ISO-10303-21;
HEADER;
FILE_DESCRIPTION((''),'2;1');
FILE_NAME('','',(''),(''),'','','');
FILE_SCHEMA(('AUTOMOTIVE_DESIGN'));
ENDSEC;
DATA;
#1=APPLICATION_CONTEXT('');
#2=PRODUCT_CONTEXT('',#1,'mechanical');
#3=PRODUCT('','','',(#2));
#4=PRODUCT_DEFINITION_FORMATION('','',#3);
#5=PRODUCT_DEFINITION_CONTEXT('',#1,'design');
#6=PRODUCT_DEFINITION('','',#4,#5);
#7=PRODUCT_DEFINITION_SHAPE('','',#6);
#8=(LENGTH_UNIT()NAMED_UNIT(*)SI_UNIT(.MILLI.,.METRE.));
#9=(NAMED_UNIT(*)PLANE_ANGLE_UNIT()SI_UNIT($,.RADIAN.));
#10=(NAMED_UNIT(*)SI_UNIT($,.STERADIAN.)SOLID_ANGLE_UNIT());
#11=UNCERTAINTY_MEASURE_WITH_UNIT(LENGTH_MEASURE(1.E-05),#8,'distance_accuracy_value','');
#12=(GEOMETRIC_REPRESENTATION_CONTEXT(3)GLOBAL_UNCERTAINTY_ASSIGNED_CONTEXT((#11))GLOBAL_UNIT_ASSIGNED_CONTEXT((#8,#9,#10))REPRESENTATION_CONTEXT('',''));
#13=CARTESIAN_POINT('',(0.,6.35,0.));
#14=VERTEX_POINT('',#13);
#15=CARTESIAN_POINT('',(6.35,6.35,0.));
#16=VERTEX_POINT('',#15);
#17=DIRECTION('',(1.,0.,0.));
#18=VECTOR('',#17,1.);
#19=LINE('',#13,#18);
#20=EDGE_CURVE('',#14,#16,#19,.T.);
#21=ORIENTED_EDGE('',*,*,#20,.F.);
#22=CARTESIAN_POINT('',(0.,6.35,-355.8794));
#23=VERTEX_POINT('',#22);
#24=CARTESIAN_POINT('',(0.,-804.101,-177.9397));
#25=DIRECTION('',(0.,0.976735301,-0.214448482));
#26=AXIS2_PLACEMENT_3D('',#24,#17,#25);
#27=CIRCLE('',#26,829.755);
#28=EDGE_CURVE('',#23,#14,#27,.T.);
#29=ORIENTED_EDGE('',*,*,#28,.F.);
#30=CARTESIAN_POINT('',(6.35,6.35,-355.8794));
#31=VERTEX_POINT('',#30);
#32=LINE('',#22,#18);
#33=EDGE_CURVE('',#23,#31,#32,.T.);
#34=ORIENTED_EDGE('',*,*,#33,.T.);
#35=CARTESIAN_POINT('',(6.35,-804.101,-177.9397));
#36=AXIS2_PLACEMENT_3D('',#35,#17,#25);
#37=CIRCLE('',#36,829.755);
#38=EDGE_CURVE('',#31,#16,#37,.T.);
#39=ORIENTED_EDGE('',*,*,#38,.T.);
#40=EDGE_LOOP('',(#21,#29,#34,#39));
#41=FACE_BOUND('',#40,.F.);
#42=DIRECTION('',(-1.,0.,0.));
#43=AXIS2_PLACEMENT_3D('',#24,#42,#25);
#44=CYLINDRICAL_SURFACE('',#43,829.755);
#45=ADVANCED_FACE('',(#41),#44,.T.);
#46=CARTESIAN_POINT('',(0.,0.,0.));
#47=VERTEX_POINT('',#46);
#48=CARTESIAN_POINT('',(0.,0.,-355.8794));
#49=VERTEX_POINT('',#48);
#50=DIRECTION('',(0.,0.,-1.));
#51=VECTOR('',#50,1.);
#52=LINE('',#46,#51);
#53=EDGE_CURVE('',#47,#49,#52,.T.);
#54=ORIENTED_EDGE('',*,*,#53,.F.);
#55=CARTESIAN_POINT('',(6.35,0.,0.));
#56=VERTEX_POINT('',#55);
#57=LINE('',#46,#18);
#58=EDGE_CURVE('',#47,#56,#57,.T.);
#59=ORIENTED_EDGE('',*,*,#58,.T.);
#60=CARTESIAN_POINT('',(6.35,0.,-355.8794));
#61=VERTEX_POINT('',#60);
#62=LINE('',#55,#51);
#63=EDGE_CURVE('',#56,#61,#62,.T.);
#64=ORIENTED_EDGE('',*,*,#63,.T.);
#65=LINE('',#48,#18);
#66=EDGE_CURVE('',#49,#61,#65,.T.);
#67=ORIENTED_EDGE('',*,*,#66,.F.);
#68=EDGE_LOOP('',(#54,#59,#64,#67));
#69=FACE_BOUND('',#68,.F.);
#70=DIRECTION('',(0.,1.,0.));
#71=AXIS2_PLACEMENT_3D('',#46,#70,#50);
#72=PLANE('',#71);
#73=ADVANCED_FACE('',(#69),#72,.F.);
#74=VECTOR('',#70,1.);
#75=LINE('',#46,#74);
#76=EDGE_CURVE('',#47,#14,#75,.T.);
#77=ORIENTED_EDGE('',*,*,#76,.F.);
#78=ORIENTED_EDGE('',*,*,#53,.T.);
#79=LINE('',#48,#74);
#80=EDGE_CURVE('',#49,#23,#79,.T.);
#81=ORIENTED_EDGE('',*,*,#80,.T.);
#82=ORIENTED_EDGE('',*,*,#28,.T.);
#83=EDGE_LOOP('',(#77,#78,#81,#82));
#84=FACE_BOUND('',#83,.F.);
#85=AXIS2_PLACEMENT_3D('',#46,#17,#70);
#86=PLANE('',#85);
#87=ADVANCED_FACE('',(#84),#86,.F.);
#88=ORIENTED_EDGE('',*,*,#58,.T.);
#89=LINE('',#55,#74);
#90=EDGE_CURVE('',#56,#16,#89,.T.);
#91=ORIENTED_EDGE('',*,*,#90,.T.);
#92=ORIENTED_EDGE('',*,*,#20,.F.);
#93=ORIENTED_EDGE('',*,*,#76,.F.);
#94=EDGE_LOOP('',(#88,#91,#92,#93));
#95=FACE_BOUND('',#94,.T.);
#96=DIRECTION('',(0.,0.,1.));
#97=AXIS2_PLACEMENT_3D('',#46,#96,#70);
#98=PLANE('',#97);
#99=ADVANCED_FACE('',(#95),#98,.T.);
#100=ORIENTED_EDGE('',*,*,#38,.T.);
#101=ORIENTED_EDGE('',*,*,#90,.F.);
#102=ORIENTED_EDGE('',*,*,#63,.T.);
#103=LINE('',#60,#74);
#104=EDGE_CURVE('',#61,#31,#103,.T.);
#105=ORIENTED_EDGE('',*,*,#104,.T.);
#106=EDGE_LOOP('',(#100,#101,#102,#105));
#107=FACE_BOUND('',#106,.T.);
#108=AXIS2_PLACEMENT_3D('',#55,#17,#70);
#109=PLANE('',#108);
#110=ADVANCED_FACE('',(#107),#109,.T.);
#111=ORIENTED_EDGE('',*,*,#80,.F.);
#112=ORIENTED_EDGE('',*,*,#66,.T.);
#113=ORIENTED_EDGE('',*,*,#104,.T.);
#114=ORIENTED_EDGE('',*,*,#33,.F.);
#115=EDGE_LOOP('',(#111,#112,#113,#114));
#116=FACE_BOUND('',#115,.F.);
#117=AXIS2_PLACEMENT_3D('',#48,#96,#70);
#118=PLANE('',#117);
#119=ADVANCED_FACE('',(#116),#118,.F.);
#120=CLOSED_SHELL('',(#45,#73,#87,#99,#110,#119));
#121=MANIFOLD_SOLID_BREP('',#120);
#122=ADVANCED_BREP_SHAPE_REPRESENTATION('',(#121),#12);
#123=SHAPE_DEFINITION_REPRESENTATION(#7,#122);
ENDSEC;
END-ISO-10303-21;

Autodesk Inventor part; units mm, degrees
ref_plane "YZ Plane" through (0, 0, 0) normal (1, 0, 0) x (0, 1, 0)
ref_plane "XZ Plane" through (0, 0, 0) normal (0, 1, 0) x (-1, 0, 0)
ref_plane "XY Plane" through (0, 0, 0) normal (0, 0, 1) x (1, 0, 0)
sketch "Sketch1" plane through (0, 0, 0) normal (1, 0, 0) x (0, 1, 0)
  line L0 (0, 0) -> (0, -355.8794)
  line L1 (0, 0) -> (6.35, 0)
  line L2 (0, -355.8794) -> (6.35, -355.8794)
  arc A0 (6.35, -355.8794) -> (6.35, 0) centre (-804.101, -177.9397) ccw
  dimension "d0" = 355.8794
  dimension "d1" = 6.35
  dimension "d2" = 6.35
extrude "Extrusion1" add sketch "Sketch1" along normal blind 6.35
properties part number "shorthalfofSidestrip_Ocampo"
